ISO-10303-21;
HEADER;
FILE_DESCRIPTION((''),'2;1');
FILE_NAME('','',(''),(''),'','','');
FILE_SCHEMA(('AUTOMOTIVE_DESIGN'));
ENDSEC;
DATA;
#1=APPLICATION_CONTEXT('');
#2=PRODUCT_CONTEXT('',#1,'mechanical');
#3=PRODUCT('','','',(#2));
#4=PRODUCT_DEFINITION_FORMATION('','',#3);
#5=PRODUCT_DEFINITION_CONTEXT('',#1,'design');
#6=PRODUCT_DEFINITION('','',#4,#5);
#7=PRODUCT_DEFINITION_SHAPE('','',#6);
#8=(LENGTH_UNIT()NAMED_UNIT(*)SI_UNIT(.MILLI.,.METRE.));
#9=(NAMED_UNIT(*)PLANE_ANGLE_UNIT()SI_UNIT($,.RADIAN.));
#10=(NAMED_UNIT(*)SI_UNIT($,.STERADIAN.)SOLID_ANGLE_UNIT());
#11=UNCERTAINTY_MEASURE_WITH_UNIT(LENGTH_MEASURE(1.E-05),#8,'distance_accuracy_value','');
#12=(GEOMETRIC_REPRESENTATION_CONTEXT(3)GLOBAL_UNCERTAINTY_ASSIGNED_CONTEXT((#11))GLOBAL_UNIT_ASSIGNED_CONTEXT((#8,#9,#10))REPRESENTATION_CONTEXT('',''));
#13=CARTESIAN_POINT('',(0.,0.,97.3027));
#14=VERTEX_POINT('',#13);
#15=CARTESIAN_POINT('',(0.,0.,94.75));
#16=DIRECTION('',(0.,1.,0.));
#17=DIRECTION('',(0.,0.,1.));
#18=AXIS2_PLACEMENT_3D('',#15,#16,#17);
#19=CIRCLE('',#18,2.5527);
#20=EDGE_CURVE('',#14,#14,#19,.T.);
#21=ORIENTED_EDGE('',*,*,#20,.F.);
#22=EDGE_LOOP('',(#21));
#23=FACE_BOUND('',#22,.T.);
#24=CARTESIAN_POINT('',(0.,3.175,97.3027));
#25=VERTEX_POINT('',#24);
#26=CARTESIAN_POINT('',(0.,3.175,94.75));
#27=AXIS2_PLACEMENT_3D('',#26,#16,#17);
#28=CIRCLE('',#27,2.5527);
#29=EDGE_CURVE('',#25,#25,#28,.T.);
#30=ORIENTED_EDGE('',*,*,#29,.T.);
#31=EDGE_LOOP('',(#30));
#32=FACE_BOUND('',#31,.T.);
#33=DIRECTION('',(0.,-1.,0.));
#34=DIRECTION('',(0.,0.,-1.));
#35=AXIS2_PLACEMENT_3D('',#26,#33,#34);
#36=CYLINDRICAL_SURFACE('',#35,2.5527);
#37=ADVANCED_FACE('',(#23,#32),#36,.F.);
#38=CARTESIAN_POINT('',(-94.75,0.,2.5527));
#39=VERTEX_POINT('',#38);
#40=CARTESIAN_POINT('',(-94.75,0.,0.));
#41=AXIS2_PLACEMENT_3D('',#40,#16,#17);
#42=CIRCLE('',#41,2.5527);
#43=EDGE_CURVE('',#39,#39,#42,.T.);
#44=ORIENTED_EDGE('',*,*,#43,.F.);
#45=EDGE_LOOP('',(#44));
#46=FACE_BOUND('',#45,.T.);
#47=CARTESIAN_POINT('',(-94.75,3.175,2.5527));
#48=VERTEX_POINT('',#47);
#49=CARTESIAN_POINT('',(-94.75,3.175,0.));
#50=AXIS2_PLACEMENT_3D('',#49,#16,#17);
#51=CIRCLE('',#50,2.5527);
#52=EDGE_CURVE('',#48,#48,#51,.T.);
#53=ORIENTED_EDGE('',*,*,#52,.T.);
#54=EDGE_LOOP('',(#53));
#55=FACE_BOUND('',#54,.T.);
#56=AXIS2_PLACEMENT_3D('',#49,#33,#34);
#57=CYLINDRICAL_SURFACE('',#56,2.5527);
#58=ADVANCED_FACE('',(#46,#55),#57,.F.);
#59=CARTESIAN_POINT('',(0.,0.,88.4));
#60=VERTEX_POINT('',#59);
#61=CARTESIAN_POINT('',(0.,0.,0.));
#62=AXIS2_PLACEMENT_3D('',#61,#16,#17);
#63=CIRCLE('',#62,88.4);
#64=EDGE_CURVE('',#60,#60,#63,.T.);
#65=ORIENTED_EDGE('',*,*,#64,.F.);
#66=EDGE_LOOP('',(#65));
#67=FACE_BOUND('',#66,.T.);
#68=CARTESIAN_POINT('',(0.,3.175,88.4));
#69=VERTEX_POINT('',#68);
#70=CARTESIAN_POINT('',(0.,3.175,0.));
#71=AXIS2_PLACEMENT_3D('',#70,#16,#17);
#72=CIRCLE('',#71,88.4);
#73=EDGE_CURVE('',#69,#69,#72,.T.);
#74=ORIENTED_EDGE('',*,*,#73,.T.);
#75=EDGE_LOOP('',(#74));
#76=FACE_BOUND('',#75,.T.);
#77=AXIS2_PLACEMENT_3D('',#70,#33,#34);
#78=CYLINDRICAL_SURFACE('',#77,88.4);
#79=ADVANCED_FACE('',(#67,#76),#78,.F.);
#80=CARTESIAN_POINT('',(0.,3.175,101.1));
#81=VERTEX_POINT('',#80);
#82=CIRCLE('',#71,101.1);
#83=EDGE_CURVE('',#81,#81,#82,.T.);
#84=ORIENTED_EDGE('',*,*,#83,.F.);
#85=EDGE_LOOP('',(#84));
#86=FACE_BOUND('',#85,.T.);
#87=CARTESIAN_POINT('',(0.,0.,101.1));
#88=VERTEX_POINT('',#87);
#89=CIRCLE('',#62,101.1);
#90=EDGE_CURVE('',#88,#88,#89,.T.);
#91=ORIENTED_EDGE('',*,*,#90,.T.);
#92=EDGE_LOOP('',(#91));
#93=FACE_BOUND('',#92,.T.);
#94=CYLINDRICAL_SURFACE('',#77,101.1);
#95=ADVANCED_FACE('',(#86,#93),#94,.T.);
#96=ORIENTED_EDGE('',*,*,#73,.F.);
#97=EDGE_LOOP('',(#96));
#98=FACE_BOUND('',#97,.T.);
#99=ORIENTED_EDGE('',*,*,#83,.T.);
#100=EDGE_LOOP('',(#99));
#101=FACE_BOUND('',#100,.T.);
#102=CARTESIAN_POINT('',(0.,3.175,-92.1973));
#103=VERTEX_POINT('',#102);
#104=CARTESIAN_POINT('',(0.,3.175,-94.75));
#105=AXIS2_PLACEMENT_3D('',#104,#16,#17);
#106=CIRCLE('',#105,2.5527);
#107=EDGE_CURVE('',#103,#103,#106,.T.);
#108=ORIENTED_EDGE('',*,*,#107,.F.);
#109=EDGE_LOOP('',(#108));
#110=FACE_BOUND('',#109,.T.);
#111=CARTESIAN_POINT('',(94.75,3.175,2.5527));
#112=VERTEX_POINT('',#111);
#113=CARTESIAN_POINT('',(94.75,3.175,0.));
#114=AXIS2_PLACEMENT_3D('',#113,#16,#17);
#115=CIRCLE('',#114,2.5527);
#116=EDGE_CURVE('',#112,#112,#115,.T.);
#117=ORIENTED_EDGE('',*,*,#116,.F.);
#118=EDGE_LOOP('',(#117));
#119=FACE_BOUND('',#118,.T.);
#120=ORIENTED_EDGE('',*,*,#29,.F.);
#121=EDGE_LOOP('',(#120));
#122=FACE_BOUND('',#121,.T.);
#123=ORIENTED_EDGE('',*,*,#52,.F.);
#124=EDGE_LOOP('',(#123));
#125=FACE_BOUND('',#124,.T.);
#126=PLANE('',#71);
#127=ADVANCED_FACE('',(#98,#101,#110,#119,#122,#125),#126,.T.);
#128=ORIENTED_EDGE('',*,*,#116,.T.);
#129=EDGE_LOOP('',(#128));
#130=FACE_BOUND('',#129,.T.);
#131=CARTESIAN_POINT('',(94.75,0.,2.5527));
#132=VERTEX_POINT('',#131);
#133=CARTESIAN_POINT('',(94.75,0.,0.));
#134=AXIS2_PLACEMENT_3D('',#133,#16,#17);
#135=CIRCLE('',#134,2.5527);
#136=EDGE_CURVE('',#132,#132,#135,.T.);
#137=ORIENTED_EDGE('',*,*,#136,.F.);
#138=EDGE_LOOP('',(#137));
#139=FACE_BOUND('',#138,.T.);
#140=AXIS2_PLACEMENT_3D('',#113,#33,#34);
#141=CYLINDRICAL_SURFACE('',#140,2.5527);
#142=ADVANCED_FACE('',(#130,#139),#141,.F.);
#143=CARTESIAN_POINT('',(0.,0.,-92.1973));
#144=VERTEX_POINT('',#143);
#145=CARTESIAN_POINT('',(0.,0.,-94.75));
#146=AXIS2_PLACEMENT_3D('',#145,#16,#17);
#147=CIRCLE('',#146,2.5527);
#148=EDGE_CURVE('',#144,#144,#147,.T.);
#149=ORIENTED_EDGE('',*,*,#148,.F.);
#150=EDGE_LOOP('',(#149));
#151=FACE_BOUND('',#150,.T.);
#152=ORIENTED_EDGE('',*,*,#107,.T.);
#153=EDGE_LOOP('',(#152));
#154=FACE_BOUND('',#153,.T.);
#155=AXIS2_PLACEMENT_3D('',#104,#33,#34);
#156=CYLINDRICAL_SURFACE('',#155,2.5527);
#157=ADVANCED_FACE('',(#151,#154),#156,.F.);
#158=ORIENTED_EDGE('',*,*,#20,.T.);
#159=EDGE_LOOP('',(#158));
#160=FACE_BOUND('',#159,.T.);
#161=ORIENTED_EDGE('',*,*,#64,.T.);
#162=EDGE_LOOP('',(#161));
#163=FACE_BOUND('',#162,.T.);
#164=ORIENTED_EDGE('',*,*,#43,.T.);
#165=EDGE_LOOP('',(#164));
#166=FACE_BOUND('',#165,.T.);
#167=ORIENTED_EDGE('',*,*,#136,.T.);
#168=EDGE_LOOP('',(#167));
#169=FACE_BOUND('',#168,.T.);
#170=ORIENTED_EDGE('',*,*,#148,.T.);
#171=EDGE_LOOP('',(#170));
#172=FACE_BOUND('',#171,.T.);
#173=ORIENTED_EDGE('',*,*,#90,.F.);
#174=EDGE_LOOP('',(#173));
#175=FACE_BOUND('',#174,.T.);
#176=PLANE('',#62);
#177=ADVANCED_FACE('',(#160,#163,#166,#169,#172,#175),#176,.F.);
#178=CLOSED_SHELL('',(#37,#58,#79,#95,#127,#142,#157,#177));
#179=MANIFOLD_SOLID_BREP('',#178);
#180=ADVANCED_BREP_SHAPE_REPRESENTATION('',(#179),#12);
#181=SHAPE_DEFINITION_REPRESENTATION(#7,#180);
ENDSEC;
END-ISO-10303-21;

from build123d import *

# Parameters (mm, degrees)
SKETCH2_R           = 101.099999984
SKETCH2_R_2         = 88.399999984
SKETCH2_R_3         = 2.5527
BOSS_EXTRUDE1_DEPTH = 3.175


with BuildPart() as part:
    # Sketch2 → Boss-Extrude1 (new body)
    with BuildSketch(Plane(origin=(0, 0, 0), x_dir=(1, 0, 0), z_dir=(0, 1, 0))):
        with Locations(Location((0, 0, 0), (0, 0, 270))):
            Circle(SKETCH2_R)
        with Locations(Location((0, 0, 0), (0, 0, 270))):
            Circle(SKETCH2_R_2, mode=Mode.SUBTRACT)
        with Locations(Location((0, -94.749999984, 0), (0, 0, 270))):
            Circle(SKETCH2_R_3, mode=Mode.SUBTRACT)
        with Locations(Location((-94.749999984, 0, 0), (0, 0, 270))):
            Circle(SKETCH2_R_3, mode=Mode.SUBTRACT)
        with Locations(Location((0, 94.749999984, 0), (0, 0, 270))):
            Circle(SKETCH2_R_3, mode=Mode.SUBTRACT)
        with Locations(Location((94.749999984, 0, 0), (0, 0, 270))):
            Circle(SKETCH2_R_3, mode=Mode.SUBTRACT)
    extrude(amount=BOSS_EXTRUDE1_DEPTH)


solid = part.part
